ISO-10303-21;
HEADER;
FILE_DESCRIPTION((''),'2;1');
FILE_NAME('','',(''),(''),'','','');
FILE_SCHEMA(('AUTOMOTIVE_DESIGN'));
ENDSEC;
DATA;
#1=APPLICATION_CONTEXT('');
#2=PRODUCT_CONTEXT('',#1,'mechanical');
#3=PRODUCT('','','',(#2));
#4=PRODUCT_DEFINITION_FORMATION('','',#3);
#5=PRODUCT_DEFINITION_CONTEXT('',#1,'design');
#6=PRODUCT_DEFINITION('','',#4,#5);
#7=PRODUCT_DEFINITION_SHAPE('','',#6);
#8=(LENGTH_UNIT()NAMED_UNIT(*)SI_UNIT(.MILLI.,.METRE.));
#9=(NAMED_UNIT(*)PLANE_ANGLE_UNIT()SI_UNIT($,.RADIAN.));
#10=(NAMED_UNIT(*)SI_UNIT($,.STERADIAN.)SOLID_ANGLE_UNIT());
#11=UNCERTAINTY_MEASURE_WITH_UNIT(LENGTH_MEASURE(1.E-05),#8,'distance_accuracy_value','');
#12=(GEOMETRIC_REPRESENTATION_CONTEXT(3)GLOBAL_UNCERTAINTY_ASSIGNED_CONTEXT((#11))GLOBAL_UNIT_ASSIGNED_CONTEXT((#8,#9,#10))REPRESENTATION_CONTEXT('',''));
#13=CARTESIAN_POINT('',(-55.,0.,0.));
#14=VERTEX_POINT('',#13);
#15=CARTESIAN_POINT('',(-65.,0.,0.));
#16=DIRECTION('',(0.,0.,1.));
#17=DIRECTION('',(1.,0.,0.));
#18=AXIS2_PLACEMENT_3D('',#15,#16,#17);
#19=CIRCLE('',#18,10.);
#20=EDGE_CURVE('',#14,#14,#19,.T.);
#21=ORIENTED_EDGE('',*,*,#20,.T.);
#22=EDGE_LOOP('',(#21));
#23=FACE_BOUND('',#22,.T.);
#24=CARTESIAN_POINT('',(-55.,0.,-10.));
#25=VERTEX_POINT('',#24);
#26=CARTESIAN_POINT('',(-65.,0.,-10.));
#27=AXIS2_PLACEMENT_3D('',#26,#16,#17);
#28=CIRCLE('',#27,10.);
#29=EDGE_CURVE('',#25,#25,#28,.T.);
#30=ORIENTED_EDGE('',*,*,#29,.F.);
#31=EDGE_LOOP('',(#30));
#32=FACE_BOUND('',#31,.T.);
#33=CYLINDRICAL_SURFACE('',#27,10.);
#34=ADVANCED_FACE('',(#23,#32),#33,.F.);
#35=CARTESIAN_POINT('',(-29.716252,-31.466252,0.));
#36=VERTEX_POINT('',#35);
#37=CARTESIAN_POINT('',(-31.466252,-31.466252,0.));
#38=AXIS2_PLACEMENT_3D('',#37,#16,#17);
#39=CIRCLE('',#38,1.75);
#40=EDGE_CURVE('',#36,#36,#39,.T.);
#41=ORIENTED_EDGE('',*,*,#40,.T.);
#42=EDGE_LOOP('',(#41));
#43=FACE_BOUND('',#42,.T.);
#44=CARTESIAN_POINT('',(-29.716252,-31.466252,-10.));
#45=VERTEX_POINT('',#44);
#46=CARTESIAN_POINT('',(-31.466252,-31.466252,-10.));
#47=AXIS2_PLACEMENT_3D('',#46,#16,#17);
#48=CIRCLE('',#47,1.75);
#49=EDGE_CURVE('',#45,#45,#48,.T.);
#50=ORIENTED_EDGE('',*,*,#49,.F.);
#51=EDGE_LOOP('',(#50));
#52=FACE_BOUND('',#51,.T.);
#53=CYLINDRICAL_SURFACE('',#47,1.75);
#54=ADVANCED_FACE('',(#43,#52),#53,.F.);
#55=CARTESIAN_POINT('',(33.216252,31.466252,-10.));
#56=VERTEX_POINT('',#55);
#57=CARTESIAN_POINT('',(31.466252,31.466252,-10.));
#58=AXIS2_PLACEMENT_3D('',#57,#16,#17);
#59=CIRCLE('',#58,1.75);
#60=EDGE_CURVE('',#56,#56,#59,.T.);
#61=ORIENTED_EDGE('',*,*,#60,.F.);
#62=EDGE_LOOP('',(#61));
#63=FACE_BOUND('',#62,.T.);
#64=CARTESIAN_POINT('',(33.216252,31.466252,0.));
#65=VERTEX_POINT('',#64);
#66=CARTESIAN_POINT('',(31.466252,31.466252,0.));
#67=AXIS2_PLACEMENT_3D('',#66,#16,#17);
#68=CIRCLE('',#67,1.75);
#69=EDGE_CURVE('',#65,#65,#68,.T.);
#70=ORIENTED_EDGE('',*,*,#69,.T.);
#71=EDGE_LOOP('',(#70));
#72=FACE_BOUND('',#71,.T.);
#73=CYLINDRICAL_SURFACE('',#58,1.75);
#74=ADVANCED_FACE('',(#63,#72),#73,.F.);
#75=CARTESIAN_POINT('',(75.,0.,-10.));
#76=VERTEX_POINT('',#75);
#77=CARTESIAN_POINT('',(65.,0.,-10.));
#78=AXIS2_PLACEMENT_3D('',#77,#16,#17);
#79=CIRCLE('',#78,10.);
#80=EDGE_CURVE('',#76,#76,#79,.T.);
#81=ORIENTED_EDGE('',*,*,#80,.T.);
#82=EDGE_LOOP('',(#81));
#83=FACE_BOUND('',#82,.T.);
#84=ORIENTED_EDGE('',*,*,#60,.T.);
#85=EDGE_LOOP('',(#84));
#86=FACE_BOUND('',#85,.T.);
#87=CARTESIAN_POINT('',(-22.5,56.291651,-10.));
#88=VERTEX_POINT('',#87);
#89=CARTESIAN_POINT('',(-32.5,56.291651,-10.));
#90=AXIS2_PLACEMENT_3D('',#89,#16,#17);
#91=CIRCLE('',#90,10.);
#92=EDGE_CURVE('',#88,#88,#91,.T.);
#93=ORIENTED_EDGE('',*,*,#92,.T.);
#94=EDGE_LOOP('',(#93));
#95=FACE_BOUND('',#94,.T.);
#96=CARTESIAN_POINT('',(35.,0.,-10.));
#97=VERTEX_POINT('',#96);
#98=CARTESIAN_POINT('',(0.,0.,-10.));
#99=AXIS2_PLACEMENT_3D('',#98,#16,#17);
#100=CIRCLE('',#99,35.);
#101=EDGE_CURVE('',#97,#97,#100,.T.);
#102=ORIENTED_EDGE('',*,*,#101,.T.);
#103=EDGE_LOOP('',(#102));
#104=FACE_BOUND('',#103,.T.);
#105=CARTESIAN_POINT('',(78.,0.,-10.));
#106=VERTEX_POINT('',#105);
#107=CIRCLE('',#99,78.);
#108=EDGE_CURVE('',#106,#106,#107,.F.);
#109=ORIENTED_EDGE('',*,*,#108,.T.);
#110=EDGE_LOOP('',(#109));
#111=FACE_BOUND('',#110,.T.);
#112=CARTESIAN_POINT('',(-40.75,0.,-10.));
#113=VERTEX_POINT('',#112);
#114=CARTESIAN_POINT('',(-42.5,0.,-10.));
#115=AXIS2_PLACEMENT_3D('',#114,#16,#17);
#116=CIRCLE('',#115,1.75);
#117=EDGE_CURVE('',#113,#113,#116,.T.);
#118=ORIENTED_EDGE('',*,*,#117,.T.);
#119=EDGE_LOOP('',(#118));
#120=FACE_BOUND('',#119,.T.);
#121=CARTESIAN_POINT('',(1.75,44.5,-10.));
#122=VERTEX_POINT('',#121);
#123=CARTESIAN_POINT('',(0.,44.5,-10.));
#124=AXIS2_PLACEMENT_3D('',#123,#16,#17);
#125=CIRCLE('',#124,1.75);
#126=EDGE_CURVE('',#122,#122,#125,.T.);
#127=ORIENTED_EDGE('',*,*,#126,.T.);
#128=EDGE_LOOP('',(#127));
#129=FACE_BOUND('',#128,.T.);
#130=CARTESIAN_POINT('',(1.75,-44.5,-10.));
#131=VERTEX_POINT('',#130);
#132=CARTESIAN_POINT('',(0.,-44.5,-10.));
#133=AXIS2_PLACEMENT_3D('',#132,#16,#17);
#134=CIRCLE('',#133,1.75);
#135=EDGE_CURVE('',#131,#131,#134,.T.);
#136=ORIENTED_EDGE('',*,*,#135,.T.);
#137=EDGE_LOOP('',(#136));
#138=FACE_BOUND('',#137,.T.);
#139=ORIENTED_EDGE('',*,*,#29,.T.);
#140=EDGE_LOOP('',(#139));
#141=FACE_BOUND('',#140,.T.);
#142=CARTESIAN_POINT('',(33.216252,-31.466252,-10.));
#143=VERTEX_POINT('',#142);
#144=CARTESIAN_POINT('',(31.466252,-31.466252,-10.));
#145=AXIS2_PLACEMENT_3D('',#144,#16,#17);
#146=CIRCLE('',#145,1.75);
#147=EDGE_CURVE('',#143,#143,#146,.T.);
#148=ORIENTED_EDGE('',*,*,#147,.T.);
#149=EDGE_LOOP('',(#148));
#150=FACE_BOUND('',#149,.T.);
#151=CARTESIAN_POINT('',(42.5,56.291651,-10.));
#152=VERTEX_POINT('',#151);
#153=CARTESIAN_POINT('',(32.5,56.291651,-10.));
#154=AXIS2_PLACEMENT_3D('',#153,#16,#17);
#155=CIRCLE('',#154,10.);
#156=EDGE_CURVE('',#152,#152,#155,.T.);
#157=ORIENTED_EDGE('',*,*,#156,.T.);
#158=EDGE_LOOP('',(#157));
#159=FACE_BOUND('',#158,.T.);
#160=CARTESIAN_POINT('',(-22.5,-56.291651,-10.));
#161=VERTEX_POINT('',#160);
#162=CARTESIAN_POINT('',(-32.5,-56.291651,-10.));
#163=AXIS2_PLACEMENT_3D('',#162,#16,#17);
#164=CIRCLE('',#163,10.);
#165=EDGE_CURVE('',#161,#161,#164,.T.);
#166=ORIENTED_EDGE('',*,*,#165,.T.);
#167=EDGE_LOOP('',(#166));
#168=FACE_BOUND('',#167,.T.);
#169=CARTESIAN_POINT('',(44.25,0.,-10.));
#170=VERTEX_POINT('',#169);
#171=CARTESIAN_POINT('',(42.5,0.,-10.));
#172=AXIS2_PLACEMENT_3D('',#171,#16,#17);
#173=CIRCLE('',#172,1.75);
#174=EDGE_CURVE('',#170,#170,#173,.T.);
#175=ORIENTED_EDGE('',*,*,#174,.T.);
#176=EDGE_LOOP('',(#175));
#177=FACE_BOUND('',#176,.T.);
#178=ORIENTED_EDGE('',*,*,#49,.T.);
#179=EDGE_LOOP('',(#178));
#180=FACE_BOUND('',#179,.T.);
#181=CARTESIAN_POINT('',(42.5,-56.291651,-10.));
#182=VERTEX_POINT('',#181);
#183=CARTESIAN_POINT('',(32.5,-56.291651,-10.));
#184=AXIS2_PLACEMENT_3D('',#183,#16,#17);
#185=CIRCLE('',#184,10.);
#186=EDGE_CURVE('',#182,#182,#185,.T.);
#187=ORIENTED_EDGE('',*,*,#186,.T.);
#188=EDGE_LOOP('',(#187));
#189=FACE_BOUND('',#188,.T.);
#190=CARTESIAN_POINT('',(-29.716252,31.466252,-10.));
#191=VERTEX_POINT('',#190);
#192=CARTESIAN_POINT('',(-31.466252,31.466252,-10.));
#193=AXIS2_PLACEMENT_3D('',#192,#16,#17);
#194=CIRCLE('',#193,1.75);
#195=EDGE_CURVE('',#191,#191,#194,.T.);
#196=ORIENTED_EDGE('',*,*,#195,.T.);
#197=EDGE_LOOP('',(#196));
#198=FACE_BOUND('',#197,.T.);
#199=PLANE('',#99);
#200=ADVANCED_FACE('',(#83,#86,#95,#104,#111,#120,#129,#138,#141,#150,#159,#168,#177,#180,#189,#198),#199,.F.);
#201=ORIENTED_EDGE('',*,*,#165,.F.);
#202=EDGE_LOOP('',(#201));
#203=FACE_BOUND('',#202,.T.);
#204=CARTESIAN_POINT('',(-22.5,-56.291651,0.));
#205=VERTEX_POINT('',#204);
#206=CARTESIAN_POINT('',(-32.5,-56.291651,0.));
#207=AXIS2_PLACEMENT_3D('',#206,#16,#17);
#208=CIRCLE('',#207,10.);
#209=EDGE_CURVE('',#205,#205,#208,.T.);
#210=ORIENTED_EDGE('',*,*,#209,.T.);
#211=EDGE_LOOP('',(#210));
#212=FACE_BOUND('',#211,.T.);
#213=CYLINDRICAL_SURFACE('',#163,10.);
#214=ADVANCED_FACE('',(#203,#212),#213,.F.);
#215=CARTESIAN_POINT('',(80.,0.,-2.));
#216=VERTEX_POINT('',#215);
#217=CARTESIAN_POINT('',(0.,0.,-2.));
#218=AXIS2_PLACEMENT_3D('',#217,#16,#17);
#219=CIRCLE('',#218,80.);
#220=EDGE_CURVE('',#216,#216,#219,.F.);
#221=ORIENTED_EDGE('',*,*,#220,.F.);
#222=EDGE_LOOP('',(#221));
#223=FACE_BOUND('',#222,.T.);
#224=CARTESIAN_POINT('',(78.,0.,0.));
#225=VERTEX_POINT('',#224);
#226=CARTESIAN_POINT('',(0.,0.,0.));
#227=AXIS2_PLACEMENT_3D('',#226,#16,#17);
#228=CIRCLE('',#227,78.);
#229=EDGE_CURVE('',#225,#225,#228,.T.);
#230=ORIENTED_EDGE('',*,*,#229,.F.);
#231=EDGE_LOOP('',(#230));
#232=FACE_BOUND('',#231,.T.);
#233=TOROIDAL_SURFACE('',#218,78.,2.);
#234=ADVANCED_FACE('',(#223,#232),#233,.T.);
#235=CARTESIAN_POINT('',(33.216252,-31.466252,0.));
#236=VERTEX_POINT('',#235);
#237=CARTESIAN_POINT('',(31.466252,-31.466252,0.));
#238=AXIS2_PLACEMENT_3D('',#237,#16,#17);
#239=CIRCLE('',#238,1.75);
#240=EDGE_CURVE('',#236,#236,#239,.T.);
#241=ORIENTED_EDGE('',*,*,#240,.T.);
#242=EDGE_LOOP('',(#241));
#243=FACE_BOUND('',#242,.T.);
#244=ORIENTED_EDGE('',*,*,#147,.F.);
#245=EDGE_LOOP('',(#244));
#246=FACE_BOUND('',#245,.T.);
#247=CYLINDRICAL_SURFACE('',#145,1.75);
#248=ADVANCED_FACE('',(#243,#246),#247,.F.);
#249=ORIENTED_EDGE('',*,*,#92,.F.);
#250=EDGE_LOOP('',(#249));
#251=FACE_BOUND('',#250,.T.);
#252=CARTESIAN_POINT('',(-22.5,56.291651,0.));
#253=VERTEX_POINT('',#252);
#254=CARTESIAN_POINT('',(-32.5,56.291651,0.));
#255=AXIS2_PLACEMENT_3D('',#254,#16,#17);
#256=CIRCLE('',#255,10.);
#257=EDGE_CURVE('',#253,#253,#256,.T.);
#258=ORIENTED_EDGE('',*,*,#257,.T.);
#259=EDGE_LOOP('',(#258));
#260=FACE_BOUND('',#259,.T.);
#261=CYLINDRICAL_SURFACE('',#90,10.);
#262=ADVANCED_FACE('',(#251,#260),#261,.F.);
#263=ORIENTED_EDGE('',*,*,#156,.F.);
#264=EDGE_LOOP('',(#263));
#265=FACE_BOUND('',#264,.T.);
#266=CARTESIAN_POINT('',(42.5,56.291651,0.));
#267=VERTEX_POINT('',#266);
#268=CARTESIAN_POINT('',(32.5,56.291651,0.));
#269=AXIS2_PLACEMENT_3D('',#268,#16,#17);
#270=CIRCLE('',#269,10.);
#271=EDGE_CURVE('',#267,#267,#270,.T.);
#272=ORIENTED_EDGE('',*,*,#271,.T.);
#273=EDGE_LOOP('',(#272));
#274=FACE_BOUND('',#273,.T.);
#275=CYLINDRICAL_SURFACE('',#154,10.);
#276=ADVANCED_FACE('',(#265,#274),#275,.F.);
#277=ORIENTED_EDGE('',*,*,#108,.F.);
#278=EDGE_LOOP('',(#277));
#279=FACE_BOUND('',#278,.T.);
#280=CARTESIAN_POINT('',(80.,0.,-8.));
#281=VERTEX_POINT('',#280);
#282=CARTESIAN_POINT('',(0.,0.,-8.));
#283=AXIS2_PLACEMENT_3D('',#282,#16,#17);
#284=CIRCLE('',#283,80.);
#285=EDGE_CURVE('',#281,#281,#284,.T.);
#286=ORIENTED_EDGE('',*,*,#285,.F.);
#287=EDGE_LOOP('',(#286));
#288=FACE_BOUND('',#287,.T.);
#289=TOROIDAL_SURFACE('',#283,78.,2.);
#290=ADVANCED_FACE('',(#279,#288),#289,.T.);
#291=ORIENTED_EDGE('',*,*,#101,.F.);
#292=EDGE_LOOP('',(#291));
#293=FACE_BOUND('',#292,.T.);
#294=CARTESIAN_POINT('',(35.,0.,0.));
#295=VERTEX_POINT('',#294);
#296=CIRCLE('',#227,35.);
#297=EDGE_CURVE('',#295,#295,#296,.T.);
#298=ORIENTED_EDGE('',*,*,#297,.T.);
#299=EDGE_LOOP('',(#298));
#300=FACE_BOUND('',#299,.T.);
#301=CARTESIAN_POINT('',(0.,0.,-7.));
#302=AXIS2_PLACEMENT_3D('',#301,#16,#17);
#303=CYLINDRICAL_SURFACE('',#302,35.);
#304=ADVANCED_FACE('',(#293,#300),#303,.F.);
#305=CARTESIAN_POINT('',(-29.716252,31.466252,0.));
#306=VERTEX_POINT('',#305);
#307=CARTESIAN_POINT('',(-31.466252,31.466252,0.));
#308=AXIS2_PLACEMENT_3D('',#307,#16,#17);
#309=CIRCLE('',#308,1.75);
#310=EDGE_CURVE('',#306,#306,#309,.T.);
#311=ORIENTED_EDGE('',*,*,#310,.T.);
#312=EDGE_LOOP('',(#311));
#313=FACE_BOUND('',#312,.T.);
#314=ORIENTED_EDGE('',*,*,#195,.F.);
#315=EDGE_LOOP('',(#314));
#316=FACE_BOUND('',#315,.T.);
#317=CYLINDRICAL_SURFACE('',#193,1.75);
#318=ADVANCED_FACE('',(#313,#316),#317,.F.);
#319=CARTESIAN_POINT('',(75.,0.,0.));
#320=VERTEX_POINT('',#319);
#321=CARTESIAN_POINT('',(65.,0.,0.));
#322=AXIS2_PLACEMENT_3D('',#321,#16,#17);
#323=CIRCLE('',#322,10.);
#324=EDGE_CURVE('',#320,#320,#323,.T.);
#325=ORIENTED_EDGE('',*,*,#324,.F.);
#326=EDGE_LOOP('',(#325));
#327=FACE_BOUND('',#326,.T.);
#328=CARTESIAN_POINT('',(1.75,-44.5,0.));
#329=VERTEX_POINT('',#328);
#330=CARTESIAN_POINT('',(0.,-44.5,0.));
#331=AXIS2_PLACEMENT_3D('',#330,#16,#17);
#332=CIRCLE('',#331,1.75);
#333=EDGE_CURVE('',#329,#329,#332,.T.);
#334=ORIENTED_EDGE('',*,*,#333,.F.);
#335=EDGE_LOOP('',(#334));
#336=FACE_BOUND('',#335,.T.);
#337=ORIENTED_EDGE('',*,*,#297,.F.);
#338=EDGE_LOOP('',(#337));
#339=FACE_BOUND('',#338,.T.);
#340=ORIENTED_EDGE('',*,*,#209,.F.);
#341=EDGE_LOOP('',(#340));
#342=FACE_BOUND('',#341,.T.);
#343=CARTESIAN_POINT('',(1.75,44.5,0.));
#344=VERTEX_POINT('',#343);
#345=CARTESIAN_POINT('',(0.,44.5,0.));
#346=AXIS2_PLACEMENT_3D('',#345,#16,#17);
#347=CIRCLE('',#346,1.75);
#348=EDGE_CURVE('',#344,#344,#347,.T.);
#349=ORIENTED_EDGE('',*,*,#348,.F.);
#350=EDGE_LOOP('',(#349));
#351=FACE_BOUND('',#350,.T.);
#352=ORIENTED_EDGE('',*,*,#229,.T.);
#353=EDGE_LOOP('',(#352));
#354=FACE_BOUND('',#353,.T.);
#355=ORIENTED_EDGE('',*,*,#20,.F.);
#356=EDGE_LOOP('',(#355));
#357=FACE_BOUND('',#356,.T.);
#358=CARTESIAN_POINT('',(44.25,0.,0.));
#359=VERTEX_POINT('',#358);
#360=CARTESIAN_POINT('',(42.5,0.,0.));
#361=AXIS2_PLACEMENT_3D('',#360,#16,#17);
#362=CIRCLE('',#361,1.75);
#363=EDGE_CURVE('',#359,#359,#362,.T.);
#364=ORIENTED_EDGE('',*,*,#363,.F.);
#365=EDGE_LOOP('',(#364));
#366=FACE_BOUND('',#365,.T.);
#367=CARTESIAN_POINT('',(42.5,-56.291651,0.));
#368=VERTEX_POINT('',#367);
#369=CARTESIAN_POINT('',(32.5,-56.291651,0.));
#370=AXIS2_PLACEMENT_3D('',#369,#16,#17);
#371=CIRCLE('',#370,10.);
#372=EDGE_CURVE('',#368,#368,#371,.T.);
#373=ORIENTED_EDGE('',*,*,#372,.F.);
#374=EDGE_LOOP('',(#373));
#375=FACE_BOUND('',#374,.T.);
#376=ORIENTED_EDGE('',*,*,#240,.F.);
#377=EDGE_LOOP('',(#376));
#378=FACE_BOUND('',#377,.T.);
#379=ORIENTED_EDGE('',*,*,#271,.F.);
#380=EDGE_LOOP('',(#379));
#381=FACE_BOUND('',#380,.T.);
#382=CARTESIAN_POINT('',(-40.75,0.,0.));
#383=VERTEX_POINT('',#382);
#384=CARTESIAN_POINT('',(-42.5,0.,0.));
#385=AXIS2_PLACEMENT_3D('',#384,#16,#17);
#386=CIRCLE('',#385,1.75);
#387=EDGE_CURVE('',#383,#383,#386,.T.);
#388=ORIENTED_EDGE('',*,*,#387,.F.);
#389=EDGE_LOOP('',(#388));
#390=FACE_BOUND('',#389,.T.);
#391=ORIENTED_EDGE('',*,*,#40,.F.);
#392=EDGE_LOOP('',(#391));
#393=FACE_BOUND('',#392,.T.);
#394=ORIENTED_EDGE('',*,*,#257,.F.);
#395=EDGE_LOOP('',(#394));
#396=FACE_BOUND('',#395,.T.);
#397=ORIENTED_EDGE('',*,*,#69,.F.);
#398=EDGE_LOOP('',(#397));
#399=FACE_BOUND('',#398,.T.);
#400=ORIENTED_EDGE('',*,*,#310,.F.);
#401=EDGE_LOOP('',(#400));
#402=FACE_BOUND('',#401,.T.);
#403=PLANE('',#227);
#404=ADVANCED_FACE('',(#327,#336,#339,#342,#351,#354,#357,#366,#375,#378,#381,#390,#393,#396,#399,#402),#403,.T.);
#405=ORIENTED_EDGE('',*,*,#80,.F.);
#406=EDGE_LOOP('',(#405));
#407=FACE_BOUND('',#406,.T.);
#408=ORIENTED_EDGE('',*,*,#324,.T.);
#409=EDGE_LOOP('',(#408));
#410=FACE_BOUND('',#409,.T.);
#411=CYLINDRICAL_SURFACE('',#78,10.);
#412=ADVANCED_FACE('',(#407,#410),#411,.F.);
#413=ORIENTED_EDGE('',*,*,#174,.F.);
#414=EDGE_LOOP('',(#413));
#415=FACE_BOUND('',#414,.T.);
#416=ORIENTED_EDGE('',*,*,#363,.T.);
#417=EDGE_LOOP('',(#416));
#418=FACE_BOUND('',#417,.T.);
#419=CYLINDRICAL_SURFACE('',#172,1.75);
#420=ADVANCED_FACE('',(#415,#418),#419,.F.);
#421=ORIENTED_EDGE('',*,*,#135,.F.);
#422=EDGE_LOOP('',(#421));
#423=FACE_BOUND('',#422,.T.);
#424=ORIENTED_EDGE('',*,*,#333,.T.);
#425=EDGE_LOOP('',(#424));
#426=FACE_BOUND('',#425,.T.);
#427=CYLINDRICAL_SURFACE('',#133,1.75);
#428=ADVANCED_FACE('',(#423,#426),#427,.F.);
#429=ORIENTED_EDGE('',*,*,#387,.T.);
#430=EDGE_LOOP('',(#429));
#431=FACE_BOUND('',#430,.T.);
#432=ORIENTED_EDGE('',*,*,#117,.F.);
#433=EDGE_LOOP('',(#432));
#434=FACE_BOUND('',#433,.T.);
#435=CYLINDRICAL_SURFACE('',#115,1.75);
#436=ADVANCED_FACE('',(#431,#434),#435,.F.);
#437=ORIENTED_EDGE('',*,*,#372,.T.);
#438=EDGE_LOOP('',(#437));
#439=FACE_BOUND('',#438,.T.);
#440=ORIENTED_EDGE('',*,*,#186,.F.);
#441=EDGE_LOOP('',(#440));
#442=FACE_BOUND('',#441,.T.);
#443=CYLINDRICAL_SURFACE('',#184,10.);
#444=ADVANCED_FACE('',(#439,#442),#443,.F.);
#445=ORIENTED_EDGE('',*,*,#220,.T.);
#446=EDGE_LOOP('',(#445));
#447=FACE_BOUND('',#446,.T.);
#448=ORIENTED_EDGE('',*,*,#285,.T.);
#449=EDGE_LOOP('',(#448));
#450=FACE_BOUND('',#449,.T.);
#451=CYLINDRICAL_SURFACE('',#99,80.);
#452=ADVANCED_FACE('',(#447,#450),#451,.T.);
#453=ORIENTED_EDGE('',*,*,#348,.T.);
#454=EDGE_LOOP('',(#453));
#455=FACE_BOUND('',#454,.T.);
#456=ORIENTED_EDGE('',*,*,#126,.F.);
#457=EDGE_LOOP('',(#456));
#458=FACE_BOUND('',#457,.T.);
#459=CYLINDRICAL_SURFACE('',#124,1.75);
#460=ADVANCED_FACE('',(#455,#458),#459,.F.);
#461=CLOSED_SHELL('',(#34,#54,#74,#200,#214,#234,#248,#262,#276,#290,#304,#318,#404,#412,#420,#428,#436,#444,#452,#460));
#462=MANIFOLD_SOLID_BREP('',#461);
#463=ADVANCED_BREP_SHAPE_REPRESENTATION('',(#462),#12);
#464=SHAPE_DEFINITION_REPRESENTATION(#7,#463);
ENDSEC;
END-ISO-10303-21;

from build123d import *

# Parameters (mm, degrees)
SKETCH_3_R          = 80
EXTRUDE_1_DEPTH     = 10
SKETCH_4_R          = 35
CUT_EXTRUDE_1_DEPTH = 7
SKETCH_6_R          = 10
CUT_EXTRUDE_3_DEPTH = 10
SKETCH_5_R          = 1.75
CUT_EXTRUDE_4_DEPTH = 10
SKETCH_7_R          = 35
CUT_EXTRUDE_5_DEPTH = 20
FILLET_1_R          = 2


with BuildPart() as part:
    # 草图3 → 凸台-拉伸1 (new body)
    with BuildSketch(Plane.XY):
        Circle(SKETCH_3_R)
    extrude(amount=-EXTRUDE_1_DEPTH)

    # 草图4 → 切除-拉伸1 (cut)
    with BuildSketch(Plane.XY):
        Circle(SKETCH_4_R)
    extrude(amount=-CUT_EXTRUDE_1_DEPTH, mode=Mode.SUBTRACT)

    # 草图6 → 切除-拉伸3 (cut)
    with BuildSketch(Plane.XY):
        with Locations((-32.5, 56.291651246)):
            Circle(SKETCH_6_R)
        with BuildLine():
            ThreePointArc((-75, 0), (-65, -10), (-55, 0))
            Line((-55, 0), (-75, 0))
        make_face()
        with BuildLine():
            Line((-75, 0), (-55, 0))
            ThreePointArc((-55, 0), (-65, 10), (-75, 0))
        make_face()
        with Locations((-32.5, -56.291651246)):
            Circle(SKETCH_6_R)
        with Locations((32.5, -56.291651246)):
            Circle(SKETCH_6_R)
        with Locations((65, 0)):
            Circle(SKETCH_6_R)
        with Locations((32.5, 56.291651246)):
            Circle(SKETCH_6_R)
    extrude(amount=-CUT_EXTRUDE_3_DEPTH, mode=Mode.SUBTRACT)

    # 草图5 → 切除-拉伸4 (cut)
    with BuildSketch(Plane.XY):
        with Locations((0, 44.5)):
            Circle(SKETCH_5_R)
        with Locations((31.466251763, 31.466251763)):
            Circle(SKETCH_5_R)
        with Locations((42.5, 0)):
            Circle(SKETCH_5_R)
        with Locations((31.466251763, -31.466251763)):
            Circle(SKETCH_5_R)
        with Locations((-31.466251763, -31.466251763)):
            Circle(SKETCH_5_R)
        with BuildLine():
            ThreePointArc((-44.25, 0), (-42.5, -1.75), (-40.75, 0))
            Line((-40.75, 0), (-44.25, 0))
        make_face()
        with BuildLine():
            Line((-44.25, 0), (-40.75, 0))
            ThreePointArc((-40.75, 0), (-42.5, 1.75), (-44.25, 0))
        make_face()
        with Locations((-31.466251763, 31.466251763)):
            Circle(SKETCH_5_R)
        with Locations((0, -44.5)):
            Circle(SKETCH_5_R)
    extrude(amount=-CUT_EXTRUDE_4_DEPTH, mode=Mode.SUBTRACT)

    # 草图7 → 切除-拉伸5 (cut, symmetric)
    with BuildSketch(Plane.XY):
        Circle(SKETCH_7_R)
    extrude(amount=CUT_EXTRUDE_5_DEPTH, both=True, mode=Mode.SUBTRACT)

    # 圆角1
    fillet_1_edges = [part.edges().sort_by_distance(p)[0] for p in [
        (-80, 0, 0),
        (-80, 0, -10),
    ]]
    fillet(fillet_1_edges, radius=FILLET_1_R)


solid = part.part
